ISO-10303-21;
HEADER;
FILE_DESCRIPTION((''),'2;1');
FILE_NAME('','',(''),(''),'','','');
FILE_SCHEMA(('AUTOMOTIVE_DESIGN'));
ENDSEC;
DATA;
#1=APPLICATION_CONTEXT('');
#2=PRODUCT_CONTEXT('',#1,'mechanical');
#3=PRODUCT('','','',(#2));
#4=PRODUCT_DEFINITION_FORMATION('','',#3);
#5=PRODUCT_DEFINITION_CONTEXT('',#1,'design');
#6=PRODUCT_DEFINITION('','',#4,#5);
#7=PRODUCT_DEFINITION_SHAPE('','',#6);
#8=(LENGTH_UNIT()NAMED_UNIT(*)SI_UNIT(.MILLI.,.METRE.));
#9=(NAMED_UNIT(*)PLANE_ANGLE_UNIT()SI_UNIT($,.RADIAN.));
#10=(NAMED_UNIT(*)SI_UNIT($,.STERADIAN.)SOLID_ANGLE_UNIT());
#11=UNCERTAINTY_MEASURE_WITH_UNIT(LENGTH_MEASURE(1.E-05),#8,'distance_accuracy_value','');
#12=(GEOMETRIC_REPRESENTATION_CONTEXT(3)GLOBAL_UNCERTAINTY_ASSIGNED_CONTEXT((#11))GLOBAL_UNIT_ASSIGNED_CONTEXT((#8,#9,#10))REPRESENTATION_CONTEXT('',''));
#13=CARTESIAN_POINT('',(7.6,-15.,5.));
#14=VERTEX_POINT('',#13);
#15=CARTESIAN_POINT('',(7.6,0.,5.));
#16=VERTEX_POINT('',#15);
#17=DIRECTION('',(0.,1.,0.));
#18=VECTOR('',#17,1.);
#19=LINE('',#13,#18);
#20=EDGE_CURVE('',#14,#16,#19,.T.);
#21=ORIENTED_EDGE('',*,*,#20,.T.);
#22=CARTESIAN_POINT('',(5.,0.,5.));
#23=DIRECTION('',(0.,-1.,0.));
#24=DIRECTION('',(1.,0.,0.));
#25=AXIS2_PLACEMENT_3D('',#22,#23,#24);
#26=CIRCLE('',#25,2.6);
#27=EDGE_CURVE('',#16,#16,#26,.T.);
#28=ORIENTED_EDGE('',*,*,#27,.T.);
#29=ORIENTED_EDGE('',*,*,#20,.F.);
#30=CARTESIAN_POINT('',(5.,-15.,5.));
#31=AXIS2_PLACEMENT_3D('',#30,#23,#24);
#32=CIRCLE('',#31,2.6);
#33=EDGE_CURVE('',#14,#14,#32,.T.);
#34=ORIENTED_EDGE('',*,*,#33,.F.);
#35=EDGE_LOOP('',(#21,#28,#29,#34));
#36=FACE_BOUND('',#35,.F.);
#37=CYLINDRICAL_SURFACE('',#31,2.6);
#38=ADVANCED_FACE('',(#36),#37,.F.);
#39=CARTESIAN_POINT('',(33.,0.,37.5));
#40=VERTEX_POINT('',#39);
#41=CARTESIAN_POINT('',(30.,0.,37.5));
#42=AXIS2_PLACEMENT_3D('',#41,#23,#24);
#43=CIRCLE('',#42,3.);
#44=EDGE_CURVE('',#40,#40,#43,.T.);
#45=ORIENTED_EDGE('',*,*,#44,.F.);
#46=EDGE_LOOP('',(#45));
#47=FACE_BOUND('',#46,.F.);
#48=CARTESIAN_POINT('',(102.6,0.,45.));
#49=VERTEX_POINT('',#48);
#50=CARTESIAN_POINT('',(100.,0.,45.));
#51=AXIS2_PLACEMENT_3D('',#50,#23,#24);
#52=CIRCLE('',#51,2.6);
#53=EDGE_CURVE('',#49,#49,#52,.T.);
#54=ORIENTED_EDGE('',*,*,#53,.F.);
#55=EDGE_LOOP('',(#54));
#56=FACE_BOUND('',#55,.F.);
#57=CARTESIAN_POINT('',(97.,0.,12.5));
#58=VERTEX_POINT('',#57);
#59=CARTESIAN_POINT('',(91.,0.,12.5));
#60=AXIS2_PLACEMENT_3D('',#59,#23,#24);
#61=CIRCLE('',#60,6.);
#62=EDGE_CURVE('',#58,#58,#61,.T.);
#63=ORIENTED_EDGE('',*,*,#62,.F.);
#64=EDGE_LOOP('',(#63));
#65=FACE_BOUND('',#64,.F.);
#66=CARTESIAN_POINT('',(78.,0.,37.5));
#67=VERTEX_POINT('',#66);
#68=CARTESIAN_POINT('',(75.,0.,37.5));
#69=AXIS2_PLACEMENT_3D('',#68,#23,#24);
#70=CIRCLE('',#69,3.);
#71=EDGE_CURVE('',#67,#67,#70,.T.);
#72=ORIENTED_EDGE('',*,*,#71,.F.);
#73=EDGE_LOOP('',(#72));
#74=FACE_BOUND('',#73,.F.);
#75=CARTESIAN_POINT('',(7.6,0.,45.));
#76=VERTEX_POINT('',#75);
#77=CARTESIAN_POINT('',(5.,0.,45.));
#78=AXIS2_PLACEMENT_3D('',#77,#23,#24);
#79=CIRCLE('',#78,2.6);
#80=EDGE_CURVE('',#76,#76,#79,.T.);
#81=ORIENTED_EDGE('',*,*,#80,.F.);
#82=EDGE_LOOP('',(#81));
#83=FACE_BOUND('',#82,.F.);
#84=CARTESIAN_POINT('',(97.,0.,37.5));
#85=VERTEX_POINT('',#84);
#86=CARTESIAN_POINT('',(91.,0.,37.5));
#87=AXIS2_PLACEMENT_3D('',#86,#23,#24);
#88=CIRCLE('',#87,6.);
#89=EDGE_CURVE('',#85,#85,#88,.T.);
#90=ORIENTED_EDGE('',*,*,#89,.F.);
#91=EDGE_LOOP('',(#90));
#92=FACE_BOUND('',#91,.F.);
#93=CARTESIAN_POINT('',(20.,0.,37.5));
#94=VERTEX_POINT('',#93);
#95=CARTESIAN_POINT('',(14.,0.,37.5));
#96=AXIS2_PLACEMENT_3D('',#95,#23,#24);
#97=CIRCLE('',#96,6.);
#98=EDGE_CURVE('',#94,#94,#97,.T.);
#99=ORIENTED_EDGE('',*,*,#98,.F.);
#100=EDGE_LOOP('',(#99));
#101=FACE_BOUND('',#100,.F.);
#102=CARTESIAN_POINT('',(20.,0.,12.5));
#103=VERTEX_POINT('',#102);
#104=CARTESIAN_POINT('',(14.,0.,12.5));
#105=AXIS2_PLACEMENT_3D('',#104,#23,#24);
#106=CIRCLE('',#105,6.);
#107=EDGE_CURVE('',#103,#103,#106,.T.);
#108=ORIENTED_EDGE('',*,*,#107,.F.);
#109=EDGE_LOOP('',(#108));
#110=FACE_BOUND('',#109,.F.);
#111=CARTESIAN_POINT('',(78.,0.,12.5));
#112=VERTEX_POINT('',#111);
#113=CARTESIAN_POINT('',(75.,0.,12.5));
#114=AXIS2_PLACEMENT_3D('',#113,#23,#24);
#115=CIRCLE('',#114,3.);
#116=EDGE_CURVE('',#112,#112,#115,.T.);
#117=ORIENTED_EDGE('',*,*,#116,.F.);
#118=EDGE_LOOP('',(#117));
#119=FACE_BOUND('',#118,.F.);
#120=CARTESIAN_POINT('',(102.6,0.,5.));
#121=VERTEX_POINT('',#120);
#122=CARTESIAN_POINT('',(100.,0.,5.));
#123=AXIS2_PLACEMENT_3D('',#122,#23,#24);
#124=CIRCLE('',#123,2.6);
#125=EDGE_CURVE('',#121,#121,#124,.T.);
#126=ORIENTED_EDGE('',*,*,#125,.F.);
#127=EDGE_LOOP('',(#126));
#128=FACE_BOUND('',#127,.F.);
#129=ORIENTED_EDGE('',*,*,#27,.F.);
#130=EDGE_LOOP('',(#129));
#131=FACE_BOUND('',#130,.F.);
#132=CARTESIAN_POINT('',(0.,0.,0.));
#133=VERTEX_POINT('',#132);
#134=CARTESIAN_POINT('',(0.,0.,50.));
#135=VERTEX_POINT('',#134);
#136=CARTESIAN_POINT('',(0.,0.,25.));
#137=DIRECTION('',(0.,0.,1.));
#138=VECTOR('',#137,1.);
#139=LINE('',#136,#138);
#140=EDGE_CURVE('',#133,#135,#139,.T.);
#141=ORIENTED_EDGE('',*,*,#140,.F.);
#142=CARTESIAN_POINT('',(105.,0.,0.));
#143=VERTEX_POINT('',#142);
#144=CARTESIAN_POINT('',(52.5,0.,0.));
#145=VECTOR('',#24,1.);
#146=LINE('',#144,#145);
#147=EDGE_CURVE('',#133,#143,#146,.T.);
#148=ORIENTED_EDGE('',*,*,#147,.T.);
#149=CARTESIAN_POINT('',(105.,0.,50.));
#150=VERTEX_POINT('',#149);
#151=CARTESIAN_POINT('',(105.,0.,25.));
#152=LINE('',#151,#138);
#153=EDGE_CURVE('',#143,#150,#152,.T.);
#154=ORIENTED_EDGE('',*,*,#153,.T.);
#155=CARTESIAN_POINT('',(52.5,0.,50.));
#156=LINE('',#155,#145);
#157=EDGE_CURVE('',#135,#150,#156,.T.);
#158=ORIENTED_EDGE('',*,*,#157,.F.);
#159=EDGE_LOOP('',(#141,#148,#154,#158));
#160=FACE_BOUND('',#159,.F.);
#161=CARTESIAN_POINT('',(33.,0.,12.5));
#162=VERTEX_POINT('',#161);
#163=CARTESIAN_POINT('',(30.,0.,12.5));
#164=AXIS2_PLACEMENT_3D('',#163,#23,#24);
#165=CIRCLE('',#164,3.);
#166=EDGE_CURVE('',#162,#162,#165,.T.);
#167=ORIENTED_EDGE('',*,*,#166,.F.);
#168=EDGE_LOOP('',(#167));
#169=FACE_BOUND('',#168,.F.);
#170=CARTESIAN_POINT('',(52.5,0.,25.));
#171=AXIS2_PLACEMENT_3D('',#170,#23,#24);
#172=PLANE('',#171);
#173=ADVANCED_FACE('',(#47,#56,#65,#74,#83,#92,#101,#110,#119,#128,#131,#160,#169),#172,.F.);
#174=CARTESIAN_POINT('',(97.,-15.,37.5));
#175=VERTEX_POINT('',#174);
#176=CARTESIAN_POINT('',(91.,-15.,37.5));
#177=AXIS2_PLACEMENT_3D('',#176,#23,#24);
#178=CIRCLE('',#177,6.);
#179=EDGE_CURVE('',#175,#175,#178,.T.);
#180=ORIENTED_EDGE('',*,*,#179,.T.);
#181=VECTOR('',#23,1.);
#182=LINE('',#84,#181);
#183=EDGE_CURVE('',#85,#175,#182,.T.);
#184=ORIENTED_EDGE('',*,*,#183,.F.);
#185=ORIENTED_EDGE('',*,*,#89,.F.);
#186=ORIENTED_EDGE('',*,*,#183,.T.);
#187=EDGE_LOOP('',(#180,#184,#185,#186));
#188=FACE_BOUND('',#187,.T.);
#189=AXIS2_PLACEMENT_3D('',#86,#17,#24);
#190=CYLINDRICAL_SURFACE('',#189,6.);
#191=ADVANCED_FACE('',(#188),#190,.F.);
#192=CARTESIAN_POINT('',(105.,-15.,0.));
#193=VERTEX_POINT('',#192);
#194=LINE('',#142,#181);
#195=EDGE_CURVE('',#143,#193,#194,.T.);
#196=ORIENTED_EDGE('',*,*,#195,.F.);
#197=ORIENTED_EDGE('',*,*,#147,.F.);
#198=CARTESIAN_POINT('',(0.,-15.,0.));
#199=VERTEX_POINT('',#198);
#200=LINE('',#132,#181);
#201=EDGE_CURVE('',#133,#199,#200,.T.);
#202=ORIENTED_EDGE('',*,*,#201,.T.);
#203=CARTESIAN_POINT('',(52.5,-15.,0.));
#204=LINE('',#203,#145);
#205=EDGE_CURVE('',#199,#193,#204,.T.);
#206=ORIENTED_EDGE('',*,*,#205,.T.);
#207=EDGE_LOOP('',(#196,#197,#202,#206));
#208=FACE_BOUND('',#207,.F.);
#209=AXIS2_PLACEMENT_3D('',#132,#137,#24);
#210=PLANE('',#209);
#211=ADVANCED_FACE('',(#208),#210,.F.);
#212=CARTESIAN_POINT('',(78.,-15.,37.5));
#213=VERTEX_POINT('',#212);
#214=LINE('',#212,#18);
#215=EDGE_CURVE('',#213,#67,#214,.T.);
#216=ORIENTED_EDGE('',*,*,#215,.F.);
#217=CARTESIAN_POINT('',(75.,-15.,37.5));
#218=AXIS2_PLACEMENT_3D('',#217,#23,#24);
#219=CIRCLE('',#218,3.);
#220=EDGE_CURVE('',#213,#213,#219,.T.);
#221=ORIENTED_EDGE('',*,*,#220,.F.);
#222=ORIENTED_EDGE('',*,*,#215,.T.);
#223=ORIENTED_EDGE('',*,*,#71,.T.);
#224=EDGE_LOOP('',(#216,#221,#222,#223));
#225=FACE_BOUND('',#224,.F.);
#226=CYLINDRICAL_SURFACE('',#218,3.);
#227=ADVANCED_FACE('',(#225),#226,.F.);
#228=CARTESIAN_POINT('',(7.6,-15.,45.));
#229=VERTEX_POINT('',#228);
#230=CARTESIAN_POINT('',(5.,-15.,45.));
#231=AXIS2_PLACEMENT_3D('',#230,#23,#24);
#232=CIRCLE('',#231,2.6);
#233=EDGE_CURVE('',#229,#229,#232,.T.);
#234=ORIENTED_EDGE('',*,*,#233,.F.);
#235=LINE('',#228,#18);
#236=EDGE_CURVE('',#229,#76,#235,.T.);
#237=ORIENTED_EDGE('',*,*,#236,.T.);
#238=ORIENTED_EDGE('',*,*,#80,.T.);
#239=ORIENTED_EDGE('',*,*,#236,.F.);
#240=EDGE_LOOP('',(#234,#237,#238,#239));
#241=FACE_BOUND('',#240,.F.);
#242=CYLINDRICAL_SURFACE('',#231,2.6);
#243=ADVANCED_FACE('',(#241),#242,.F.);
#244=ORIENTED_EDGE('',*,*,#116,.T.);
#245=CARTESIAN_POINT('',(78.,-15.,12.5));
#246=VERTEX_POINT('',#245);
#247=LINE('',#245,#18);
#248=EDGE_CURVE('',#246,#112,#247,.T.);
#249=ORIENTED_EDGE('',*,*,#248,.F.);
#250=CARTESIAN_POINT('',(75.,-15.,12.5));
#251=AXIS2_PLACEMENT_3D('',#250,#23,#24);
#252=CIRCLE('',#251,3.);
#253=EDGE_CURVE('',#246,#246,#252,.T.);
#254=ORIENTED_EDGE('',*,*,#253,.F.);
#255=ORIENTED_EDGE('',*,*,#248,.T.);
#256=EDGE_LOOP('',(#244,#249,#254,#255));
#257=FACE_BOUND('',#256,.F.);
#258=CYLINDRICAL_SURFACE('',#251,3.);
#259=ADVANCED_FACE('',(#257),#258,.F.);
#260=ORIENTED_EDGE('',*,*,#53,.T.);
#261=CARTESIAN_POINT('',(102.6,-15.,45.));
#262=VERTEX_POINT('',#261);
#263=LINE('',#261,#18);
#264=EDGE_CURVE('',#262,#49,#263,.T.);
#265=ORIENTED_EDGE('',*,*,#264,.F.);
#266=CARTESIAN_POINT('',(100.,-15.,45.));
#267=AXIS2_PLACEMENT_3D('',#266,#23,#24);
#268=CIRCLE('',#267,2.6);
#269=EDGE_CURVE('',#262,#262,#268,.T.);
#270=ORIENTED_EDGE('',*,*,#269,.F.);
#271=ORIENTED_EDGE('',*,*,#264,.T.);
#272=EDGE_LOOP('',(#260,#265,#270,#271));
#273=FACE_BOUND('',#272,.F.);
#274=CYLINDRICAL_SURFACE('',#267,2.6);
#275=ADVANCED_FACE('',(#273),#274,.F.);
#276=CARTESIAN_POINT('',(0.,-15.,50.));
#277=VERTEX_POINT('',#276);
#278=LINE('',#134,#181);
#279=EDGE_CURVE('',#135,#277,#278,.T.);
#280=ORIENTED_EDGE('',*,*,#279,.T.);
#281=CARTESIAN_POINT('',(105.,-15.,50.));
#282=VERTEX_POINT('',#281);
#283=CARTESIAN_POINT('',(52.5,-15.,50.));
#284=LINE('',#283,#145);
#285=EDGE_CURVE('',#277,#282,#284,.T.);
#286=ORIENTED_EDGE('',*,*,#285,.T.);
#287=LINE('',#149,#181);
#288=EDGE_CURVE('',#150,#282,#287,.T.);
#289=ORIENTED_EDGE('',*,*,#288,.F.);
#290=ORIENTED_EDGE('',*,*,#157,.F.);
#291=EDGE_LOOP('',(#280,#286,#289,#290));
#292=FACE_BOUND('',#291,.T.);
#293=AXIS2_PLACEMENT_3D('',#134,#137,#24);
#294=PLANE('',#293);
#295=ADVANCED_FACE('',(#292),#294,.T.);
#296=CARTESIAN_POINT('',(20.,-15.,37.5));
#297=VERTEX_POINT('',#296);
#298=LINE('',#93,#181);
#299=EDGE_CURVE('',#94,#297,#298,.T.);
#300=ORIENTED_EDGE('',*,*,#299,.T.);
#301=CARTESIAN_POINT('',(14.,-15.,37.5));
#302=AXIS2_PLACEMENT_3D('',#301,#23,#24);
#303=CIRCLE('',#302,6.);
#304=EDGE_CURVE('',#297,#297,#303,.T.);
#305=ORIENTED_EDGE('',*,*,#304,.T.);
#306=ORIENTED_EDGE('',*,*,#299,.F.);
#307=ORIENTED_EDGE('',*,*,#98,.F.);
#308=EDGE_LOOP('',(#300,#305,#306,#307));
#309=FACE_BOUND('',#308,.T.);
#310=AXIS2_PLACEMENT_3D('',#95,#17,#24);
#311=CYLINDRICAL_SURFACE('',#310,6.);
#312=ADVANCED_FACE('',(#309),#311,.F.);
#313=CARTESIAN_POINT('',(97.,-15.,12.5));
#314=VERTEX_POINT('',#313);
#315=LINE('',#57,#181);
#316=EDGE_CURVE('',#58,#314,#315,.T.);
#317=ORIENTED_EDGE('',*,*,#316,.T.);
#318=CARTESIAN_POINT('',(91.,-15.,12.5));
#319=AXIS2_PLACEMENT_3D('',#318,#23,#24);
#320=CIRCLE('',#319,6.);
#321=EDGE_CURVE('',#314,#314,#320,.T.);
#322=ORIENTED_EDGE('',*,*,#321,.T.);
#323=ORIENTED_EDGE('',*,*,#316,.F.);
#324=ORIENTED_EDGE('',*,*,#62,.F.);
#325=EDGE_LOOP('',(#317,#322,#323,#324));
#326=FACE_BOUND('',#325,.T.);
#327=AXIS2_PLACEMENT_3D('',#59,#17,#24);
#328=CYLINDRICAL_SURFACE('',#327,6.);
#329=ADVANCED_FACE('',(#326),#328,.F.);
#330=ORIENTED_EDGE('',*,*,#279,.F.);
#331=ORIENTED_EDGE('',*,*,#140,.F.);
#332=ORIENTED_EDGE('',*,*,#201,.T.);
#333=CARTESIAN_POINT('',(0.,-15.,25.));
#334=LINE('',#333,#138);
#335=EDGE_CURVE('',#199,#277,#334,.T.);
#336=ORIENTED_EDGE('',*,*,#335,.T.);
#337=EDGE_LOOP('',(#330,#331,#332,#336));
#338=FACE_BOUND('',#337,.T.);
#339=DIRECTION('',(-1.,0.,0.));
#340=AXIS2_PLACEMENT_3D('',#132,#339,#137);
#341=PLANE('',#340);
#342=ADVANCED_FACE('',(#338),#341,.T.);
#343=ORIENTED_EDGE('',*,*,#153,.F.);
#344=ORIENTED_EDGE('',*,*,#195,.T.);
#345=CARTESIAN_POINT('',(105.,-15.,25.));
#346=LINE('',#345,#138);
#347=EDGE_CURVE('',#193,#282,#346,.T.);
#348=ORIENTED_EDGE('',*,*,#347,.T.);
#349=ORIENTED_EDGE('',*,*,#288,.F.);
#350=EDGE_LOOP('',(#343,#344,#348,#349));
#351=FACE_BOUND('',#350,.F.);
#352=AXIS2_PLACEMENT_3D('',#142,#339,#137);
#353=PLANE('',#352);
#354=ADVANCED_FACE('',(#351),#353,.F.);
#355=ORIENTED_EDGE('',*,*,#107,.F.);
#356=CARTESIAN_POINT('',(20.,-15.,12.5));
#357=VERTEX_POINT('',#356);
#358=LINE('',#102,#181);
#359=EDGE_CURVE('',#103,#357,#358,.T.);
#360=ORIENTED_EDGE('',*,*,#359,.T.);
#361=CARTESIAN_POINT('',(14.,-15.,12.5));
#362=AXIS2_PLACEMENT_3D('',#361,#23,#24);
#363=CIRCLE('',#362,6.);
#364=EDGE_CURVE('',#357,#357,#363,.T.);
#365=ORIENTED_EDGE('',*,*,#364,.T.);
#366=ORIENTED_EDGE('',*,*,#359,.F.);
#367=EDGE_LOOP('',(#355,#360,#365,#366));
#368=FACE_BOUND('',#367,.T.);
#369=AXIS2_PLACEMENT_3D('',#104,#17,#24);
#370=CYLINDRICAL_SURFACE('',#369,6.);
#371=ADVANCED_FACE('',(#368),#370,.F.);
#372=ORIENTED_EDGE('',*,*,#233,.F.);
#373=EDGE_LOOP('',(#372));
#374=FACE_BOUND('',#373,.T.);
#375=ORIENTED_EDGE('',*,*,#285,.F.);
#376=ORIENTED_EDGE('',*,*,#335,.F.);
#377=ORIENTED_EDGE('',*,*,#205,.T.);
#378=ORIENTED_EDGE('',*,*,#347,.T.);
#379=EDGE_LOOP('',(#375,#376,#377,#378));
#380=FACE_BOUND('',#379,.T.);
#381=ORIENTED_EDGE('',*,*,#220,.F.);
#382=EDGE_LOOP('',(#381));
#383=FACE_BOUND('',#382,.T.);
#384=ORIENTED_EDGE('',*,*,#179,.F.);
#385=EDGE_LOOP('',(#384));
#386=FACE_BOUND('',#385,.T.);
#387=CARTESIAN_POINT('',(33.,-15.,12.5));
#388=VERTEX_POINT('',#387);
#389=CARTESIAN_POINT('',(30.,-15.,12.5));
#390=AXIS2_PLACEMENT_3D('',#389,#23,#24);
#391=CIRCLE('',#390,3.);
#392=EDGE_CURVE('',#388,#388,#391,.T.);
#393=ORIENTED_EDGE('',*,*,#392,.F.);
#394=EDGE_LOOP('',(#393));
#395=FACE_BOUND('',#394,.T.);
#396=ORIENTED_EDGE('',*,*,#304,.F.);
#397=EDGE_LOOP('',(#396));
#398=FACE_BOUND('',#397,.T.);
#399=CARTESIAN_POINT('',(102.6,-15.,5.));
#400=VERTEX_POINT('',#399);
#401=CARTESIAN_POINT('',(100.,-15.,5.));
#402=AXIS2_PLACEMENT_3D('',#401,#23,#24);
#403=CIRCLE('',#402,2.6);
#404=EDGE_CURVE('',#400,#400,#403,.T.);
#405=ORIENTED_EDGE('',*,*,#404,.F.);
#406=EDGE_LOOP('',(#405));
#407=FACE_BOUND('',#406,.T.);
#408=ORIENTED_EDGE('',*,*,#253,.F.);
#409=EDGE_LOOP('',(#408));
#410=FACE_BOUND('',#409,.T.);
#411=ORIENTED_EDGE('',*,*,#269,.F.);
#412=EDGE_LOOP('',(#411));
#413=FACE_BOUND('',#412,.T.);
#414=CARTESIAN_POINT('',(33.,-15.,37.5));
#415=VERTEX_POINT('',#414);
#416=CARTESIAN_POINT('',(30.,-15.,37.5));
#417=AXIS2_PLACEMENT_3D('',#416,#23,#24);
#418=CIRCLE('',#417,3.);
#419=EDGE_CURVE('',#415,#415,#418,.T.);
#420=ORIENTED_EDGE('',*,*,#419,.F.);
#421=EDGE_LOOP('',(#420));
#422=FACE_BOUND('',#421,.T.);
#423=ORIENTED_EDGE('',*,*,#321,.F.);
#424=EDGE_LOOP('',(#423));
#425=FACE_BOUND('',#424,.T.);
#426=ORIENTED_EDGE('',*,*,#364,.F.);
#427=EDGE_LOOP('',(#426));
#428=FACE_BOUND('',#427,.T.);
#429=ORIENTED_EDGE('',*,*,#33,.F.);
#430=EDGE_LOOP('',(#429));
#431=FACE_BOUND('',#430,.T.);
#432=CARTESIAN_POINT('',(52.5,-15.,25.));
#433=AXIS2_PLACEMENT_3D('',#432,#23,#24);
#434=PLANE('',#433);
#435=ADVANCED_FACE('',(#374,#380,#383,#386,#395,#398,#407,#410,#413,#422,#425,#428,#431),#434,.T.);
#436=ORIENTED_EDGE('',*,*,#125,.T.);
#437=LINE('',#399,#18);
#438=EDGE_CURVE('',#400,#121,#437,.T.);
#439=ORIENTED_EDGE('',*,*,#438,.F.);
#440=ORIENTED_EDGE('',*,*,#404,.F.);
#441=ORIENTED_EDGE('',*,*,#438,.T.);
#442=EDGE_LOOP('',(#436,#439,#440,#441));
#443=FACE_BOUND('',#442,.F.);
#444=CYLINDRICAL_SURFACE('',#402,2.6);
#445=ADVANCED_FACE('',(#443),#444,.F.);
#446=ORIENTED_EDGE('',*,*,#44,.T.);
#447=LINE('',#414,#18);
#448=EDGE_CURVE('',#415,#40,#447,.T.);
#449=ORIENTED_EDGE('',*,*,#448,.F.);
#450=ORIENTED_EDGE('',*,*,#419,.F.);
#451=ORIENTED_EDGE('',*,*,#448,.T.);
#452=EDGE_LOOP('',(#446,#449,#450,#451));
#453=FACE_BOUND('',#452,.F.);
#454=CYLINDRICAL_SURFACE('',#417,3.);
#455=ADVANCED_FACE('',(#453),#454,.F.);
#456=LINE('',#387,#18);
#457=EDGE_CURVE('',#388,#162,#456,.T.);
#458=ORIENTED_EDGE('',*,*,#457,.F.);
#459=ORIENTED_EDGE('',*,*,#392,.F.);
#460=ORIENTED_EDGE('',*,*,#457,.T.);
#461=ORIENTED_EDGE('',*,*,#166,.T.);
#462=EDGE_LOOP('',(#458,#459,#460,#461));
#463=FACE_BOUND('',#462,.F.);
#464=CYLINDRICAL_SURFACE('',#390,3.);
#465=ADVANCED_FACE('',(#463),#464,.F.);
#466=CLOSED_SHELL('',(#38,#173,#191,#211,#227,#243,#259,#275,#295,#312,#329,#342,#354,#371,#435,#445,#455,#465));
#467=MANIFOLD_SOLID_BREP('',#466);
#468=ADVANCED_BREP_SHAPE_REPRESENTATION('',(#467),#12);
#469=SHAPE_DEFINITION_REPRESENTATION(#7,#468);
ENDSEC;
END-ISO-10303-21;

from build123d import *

# Parameters (mm, degrees)
F0_W     = 105
F0_H     = 50
F0_R     = 6
F1_DEPTH = 15
F2_R     = 3
F3_DEPTH = 15
F4_R     = 2.6
F5_DEPTH = 15


with BuildPart() as f1:
    # F0 (on Front) → F1 (new body)
    with BuildSketch(Plane.XZ):
        with Locations((52.5, 25)):
            Rectangle(F0_W, F0_H)
        with Locations((14, 12.5)):
            Circle(F0_R, mode=Mode.SUBTRACT)
        with Locations((91, 12.5)):
            Circle(F0_R, mode=Mode.SUBTRACT)
        with Locations((14, 37.5)):
            Circle(F0_R, mode=Mode.SUBTRACT)
        with Locations((91, 37.5)):
            Circle(F0_R, mode=Mode.SUBTRACT)
    extrude(amount=F1_DEPTH)

    # F2 (on face) → F3 (cut, through all)
    with BuildSketch(Plane.XZ.offset(15)):
        with Locations((30, 37.5)):
            Circle(F2_R)
        with Locations((75, 37.5)):
            Circle(F2_R)
        with Locations((30, 12.5)):
            Circle(F2_R)
        with Locations((75, 12.5)):
            Circle(F2_R)
    extrude(amount=-F3_DEPTH, mode=Mode.SUBTRACT)

    # F4 (on face) → F5 (cut, through all)
    with BuildSketch(Plane.XZ.offset(15)):
        with Locations((5, 45)):
            Circle(F4_R)
        with Locations((100, 45)):
            Circle(F4_R)
        with Locations((100, 5)):
            Circle(F4_R)
        with Locations((5, 5)):
            Circle(F4_R)
    extrude(amount=-F5_DEPTH, mode=Mode.SUBTRACT)


solid = f1.part
